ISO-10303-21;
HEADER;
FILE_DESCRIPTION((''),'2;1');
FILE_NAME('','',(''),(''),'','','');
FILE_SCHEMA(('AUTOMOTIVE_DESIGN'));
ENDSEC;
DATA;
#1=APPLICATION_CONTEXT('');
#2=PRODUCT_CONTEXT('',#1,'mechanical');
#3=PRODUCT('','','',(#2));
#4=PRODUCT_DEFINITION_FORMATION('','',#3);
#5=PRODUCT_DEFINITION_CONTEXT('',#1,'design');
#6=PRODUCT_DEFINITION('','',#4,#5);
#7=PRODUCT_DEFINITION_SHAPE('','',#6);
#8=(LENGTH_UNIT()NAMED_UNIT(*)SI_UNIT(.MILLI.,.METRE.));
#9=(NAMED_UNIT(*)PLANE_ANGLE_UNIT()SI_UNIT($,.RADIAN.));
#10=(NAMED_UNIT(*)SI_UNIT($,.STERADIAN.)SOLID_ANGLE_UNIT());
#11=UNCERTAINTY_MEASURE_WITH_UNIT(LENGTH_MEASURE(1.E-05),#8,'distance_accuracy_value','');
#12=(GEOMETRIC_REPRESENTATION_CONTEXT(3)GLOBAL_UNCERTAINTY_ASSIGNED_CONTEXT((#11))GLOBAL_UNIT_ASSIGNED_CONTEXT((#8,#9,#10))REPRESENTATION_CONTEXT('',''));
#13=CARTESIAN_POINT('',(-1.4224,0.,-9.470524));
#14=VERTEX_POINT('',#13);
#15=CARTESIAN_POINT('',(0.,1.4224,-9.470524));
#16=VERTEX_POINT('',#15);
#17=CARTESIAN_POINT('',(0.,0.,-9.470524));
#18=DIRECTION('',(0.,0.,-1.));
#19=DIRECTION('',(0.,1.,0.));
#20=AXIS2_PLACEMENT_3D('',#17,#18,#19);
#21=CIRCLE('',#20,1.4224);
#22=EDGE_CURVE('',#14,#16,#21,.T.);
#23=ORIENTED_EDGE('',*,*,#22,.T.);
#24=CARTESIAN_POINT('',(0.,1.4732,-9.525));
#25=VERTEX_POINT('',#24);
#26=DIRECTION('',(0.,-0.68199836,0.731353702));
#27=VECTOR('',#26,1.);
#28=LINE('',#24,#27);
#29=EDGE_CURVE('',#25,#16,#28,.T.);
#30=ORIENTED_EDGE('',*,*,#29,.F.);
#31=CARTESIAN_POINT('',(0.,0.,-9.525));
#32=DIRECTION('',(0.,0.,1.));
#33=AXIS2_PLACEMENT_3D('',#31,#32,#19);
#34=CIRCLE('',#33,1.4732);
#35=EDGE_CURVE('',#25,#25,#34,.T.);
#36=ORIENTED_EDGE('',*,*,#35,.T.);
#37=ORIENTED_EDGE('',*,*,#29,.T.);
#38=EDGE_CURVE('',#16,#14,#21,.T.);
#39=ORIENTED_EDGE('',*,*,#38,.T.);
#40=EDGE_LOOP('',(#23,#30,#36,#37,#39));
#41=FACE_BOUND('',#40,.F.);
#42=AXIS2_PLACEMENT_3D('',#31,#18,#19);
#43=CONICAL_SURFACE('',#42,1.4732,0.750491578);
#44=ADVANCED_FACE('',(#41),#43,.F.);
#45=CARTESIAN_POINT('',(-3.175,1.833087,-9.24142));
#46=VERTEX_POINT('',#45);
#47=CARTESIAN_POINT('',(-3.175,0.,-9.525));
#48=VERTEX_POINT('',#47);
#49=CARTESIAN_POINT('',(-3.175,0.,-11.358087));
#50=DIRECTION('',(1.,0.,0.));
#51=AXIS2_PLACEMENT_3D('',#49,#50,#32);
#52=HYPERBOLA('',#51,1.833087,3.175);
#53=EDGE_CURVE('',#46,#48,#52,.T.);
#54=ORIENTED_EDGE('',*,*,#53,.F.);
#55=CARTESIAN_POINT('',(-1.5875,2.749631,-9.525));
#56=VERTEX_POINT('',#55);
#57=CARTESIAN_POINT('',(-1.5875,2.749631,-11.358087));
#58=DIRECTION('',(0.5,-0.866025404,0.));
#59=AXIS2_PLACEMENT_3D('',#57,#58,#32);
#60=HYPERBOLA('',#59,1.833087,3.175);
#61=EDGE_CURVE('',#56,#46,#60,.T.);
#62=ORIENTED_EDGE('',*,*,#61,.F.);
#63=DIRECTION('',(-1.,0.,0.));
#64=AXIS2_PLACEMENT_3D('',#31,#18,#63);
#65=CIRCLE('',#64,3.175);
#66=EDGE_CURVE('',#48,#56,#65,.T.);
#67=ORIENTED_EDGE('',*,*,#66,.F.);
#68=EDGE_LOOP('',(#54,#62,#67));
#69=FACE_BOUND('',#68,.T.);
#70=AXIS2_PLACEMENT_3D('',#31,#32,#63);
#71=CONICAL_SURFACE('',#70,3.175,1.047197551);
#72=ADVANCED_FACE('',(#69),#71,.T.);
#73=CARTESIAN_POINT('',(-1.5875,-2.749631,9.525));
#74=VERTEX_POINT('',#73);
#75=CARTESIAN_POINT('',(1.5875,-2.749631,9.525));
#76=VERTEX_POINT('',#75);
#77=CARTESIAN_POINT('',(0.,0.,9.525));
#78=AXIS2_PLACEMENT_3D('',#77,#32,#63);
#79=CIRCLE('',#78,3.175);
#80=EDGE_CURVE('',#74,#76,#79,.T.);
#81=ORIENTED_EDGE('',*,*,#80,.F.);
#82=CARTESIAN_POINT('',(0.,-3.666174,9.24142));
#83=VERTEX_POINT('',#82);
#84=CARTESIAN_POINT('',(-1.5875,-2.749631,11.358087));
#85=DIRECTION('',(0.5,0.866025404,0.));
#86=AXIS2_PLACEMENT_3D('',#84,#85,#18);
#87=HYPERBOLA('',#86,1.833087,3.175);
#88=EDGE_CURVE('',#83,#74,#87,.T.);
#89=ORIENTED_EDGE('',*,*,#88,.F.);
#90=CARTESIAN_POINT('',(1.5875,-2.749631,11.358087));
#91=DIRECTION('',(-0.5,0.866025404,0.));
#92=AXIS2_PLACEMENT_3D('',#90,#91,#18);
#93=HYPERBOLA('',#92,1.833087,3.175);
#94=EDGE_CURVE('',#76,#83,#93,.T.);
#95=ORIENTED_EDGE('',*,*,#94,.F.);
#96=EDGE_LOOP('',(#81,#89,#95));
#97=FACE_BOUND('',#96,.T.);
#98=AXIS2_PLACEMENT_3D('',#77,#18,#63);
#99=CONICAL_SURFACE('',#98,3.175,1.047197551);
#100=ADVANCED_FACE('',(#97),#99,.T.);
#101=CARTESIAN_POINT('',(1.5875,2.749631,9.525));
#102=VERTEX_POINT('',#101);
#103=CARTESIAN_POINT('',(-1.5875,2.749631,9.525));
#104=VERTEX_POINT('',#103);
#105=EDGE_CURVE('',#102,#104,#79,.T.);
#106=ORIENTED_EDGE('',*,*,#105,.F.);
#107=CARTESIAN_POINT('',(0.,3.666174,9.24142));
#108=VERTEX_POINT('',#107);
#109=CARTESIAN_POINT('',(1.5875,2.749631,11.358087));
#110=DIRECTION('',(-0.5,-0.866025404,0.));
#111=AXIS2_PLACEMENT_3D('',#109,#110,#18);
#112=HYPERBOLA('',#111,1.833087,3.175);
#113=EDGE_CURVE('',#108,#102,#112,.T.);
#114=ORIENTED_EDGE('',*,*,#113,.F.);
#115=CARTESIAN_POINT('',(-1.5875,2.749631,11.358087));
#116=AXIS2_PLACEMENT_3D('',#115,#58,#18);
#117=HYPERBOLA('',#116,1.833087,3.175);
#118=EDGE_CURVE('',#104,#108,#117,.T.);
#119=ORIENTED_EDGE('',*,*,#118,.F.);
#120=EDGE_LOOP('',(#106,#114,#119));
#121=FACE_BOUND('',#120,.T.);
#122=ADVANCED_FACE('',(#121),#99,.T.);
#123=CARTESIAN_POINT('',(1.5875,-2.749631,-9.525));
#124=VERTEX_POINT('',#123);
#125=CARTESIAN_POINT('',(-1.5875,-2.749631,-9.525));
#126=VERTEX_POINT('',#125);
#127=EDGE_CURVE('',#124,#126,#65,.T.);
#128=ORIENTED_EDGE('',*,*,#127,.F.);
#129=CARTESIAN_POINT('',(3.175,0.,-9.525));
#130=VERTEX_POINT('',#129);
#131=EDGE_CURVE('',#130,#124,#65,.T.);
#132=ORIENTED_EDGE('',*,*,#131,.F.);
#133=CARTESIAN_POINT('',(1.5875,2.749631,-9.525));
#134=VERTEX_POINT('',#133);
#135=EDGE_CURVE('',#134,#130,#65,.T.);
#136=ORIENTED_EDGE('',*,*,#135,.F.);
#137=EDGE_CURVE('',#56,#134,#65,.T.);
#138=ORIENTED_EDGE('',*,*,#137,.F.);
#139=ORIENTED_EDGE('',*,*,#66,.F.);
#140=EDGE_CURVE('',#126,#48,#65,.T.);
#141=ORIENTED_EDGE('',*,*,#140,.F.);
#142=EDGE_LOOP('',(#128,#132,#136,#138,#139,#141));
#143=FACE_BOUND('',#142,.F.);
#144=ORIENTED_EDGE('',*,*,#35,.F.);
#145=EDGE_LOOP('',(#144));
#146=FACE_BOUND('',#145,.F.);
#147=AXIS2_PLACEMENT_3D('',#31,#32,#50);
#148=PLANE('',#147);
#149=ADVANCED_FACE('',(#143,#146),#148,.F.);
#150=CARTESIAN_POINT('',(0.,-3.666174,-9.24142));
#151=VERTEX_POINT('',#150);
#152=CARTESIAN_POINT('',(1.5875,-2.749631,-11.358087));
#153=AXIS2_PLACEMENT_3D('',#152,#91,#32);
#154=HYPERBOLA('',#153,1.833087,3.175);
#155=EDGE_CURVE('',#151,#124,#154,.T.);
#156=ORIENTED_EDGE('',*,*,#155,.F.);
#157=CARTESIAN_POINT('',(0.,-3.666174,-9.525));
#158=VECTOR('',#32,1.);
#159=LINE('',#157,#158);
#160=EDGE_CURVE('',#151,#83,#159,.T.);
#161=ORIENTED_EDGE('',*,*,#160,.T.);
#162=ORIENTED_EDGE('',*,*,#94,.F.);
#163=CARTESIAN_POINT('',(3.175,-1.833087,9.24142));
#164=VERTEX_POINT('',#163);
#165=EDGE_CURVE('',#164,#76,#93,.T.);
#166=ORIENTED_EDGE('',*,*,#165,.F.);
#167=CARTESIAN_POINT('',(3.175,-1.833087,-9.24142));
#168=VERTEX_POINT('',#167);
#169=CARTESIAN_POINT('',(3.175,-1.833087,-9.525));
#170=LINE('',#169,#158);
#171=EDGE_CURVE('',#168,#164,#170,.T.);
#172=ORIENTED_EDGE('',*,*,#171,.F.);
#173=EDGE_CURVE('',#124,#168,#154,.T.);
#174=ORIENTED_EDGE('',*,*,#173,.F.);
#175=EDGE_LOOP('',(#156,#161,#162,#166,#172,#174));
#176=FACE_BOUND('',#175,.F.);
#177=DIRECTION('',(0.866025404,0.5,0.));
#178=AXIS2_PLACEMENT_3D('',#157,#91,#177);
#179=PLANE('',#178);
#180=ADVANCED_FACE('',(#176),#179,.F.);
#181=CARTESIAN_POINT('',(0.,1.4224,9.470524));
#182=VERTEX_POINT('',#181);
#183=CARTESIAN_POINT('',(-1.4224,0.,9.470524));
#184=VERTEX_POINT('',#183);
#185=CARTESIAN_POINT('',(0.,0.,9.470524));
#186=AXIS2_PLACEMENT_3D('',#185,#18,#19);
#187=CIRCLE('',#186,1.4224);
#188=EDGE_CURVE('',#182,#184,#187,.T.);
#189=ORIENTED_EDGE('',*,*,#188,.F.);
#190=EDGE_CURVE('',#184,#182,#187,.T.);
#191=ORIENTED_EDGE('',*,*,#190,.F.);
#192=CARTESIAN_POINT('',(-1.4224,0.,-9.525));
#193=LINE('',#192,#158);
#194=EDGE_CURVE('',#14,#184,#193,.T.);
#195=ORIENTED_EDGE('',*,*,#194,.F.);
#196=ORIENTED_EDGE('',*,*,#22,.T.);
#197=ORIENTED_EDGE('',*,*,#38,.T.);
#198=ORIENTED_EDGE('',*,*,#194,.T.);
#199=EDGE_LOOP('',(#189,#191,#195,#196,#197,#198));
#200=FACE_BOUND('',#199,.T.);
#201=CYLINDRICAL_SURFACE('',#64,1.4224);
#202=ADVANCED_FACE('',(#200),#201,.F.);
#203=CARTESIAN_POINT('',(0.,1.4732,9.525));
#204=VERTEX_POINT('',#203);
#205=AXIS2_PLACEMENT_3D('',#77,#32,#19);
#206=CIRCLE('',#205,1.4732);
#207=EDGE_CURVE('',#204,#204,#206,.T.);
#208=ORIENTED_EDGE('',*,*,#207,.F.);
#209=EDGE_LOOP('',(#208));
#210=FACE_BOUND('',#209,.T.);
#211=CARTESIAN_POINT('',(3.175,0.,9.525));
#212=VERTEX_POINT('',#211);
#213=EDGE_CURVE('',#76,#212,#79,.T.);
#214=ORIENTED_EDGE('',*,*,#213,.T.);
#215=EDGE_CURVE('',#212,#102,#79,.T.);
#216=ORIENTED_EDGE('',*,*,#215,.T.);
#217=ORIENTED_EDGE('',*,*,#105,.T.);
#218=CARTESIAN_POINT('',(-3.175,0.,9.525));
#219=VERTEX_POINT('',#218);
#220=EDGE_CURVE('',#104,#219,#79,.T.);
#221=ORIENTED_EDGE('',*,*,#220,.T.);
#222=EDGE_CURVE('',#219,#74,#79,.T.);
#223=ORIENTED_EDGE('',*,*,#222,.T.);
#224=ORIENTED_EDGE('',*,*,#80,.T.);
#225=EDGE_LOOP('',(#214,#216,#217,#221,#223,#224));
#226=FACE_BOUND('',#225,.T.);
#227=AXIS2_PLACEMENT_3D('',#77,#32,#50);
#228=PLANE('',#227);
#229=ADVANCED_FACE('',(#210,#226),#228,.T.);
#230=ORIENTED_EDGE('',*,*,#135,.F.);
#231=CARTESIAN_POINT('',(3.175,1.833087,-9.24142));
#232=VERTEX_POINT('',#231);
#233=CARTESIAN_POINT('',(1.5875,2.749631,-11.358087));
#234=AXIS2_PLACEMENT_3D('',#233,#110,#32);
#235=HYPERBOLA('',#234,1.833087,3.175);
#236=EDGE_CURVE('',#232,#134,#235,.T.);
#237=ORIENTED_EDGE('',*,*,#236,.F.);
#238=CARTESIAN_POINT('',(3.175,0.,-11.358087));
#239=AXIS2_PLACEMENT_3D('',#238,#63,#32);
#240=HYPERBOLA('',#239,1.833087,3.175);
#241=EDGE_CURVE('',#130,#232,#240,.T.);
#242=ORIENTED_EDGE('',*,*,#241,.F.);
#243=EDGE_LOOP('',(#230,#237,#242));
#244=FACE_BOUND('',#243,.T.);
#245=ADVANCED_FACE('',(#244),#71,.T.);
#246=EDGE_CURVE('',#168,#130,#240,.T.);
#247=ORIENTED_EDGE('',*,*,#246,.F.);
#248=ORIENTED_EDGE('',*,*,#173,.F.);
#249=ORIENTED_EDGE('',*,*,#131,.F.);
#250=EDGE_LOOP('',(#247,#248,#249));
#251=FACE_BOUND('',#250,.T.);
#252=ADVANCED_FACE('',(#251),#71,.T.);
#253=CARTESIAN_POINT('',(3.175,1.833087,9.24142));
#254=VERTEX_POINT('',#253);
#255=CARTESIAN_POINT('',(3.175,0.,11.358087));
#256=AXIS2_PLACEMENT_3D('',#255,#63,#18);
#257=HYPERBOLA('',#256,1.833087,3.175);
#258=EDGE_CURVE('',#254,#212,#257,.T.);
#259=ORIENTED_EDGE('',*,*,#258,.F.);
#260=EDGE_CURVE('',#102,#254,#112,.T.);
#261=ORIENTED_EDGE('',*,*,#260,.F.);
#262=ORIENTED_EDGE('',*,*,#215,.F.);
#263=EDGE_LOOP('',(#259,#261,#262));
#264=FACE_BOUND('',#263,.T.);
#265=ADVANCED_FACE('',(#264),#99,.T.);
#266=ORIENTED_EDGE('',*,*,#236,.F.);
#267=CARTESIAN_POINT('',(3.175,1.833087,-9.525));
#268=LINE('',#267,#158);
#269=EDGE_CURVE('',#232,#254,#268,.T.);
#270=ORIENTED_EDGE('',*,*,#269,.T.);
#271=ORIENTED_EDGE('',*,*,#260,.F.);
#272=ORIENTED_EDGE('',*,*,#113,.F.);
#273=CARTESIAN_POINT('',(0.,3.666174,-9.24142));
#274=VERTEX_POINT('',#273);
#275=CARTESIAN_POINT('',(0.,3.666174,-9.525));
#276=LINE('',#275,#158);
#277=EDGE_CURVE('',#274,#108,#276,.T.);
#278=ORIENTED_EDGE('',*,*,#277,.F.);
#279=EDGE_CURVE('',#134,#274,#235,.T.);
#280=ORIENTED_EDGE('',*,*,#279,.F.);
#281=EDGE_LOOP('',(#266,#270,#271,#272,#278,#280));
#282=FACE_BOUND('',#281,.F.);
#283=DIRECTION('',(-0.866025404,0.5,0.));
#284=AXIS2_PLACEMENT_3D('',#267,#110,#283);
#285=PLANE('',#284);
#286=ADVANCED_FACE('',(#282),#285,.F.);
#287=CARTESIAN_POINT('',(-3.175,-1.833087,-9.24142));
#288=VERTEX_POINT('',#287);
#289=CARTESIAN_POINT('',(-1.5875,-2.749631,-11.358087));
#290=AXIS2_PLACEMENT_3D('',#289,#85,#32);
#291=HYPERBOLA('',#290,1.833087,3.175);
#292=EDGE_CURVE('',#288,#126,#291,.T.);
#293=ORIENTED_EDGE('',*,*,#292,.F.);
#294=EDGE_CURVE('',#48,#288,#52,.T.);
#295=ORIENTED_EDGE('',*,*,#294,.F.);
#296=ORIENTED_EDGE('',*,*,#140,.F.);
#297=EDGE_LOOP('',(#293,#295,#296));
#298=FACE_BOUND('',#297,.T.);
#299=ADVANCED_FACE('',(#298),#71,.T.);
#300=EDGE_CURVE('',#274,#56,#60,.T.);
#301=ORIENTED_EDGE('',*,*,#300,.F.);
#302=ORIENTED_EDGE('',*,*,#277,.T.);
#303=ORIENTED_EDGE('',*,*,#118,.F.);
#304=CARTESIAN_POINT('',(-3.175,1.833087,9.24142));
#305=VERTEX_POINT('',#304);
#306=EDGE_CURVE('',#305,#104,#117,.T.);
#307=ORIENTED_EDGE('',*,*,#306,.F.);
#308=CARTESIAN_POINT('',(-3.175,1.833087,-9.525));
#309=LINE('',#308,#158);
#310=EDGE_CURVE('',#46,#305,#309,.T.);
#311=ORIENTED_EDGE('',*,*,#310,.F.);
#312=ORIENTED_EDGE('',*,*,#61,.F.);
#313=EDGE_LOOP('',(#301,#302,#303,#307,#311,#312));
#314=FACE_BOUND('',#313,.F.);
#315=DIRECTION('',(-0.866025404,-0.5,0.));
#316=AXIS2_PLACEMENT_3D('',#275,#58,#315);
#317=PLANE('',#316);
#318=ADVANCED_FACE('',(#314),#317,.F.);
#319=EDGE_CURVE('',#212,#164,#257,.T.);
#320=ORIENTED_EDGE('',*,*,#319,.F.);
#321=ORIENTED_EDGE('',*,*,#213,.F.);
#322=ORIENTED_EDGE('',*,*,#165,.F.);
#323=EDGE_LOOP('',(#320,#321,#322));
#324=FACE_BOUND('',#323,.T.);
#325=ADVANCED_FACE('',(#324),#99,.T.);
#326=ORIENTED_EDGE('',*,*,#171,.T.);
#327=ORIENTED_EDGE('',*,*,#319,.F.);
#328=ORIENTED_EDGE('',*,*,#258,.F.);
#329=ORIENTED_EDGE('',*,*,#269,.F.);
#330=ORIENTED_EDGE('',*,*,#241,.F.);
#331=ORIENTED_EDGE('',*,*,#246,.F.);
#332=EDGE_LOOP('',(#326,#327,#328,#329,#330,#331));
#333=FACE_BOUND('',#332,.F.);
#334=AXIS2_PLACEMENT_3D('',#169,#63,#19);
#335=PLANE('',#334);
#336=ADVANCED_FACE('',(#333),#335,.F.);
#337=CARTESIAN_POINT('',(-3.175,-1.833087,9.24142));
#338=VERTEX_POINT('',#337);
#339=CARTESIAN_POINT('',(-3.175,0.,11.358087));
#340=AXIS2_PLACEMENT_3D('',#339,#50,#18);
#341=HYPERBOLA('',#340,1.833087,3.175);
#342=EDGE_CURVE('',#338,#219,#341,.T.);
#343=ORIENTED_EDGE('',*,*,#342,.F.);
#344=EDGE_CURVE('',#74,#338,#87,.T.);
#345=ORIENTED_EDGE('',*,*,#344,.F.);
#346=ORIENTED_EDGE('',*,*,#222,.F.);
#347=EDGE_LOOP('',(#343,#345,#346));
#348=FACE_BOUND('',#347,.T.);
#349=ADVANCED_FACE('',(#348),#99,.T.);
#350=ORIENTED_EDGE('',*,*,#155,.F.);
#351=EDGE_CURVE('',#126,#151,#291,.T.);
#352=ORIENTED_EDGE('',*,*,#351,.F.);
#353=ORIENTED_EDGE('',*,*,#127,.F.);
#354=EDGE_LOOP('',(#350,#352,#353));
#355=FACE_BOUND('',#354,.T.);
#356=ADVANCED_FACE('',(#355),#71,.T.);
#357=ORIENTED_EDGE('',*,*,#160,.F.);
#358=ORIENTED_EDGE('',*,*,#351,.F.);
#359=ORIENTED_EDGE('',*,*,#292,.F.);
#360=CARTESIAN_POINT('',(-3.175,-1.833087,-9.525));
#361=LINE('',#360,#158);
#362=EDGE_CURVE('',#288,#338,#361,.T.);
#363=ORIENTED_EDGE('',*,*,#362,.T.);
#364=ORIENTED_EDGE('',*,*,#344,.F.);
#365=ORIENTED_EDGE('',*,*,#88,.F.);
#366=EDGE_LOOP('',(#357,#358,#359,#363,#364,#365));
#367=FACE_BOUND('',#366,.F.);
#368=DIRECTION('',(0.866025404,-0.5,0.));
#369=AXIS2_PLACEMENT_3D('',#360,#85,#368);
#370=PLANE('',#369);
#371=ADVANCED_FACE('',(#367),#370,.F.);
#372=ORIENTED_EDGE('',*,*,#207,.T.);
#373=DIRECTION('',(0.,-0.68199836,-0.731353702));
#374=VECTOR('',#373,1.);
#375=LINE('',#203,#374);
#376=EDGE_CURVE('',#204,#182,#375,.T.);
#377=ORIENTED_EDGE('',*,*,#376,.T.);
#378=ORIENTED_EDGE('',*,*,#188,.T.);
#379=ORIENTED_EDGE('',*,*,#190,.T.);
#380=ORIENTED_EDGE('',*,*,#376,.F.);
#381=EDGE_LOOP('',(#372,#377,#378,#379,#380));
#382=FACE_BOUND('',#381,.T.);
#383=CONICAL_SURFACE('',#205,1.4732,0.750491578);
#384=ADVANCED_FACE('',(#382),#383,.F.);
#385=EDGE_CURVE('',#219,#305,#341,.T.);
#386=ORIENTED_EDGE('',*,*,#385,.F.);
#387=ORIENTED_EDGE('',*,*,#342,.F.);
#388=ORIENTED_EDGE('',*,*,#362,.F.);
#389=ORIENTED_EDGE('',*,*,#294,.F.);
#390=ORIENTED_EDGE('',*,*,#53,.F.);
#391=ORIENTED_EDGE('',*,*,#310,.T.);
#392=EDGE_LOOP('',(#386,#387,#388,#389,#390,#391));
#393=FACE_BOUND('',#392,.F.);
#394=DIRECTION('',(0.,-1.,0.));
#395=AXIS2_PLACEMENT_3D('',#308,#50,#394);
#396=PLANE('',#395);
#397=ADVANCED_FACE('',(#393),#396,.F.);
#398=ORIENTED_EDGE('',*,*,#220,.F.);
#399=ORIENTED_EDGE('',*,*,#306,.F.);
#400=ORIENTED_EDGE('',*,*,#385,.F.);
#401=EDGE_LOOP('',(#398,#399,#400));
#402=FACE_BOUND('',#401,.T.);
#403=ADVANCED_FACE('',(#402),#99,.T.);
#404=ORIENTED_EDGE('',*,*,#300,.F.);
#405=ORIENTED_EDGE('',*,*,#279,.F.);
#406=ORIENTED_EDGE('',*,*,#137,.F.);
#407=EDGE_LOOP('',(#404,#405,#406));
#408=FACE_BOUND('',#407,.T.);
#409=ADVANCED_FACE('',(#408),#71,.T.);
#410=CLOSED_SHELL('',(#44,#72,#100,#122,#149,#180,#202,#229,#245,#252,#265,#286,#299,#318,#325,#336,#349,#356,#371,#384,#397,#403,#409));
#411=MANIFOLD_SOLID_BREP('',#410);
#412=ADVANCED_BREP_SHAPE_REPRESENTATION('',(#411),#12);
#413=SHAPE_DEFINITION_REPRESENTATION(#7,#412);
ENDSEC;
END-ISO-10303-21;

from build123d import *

# Parameters (mm, degrees)
EXTRUDE1_DEPTH          = 9.525
EXTRUDE1_DEPTH_BACK     = 9.525
SKETCH1_R               = 1.4224
SKETCH8_OUTSIDE_W       = 84.186
SKETCH8_OUTSIDE_H       = 85.168
SKETCH8_OUTSIDE_R       = 3.175
EXTRUDE4_DEPTH          = 20.657669199
EXTRUDE4_DRAFT          = -60
MIRROR1_COPY_1_SKETCH_W = 84.186
MIRROR1_COPY_1_SKETCH_H = 85.168
MIRROR1_COPY_1_SKETCH_R = 3.175
MIRROR1_COPY_1_DEPTH    = 20.657669199
MIRROR1_COPY_1_DRAFT    = -60


with BuildPart() as part:
    # Sketch1 → Extrude1 (new, two sides: drawn at the far end of the back side and taken through both)
    with BuildSketch(Plane.XY.offset(-EXTRUDE1_DEPTH_BACK)):
        Polygon((0, 3.666174209), (-3.175, 1.833087105), (-3.175, -1.833087105), (0, -3.666174209), (3.175, -1.833087105), (3.175, 1.833087105), align=None)
        with Locations(Location((0, 0, 0), (0, 0, 180))):
            Circle(SKETCH1_R, mode=Mode.SUBTRACT)
    extrude(amount=EXTRUDE1_DEPTH + EXTRUDE1_DEPTH_BACK)

    # Extrude3 cone 1 section (through the dimple's axis) → Extrude3 (revolve, cut)
    with BuildSketch(Plane(origin=(0, 0, -9.525), x_dir=(0, 1, 0), z_dir=(1, 0, 0))):
        Polygon((0, 0), (1.4732, 0), (0, 1.579813584), align=None)
    extrude3 = revolve(axis=Axis((0, 0, -9.525), (0, 0, 1)), mode=Mode.SUBTRACT)


with BuildPart() as extrude4_tool:
    # Sketch8 outside → Extrude4 (with draft: the straight prism first)
    with BuildSketch(Plane(origin=(0, 0, -9.525), x_dir=(-1, 0, 0), z_dir=(0, 0, -1))):
        Rectangle(SKETCH8_OUTSIDE_W, SKETCH8_OUTSIDE_H)
        Circle(SKETCH8_OUTSIDE_R, mode=Mode.SUBTRACT)
    extrude(amount=-EXTRUDE4_DEPTH)
    # Extrude4: the draft: its side faces are tilted about the plane it starts from
    extrude4_sides = [extrude4_tool.faces().sort_by_distance(p)[0] for p in [
        (0, -42.584, 0.803834599),
        (-42.093, 0, 0.803834599),
        (0, 42.584, 0.803834599),
        (42.093, 0, 0.803834599),
        (3.175, 0, 0.803834599),
    ]]
    draft(extrude4_sides, Plane(origin=(0, 0, -9.525), x_dir=(-1, 0, 0), z_dir=(0, 0, -1)), EXTRUDE4_DRAFT)


with BuildPart() as part_1:
    add(part.part)

    # Extrude4: cut by extrude4_tool
    add(extrude4_tool.part, mode=Mode.SUBTRACT)

    # Mirror1: Extrude3 across plane
    add(extrude3.mirror(Plane.XY), mode=Mode.SUBTRACT)


with BuildPart() as mirror1_copy_1_tool:
    # Mirror1 copy 1 sketch → Mirror1 copy 1 (with draft: the straight prism first)
    with BuildSketch(Plane(origin=(0, 0, 9.525), x_dir=(-1, 0, 0), z_dir=(0, 0, 1))):
        Rectangle(MIRROR1_COPY_1_SKETCH_W, MIRROR1_COPY_1_SKETCH_H)
        Circle(MIRROR1_COPY_1_SKETCH_R, mode=Mode.SUBTRACT)
    extrude(amount=-MIRROR1_COPY_1_DEPTH)
    # Mirror1 copy 1: the draft: its side faces are tilted about the plane it starts from
    mirror1_copy_1_sides = [mirror1_copy_1_tool.faces().sort_by_distance(p)[0] for p in [
        (0, -42.584, -0.803834599),
        (-42.093, 0, -0.803834599),
        (0, 42.584, -0.803834599),
        (42.093, 0, -0.803834599),
        (3.175, 0, -0.803834599),
    ]]
    draft(mirror1_copy_1_sides, Plane(origin=(0, 0, 9.525), x_dir=(-1, 0, 0), z_dir=(0, 0, 1)), MIRROR1_COPY_1_DRAFT)


with BuildPart() as part_2:
    add(part_1.part)

    # Mirror1 copy 1: cut by mirror1_copy_1_tool
    add(mirror1_copy_1_tool.part, mode=Mode.SUBTRACT)


solid = part_2.part
